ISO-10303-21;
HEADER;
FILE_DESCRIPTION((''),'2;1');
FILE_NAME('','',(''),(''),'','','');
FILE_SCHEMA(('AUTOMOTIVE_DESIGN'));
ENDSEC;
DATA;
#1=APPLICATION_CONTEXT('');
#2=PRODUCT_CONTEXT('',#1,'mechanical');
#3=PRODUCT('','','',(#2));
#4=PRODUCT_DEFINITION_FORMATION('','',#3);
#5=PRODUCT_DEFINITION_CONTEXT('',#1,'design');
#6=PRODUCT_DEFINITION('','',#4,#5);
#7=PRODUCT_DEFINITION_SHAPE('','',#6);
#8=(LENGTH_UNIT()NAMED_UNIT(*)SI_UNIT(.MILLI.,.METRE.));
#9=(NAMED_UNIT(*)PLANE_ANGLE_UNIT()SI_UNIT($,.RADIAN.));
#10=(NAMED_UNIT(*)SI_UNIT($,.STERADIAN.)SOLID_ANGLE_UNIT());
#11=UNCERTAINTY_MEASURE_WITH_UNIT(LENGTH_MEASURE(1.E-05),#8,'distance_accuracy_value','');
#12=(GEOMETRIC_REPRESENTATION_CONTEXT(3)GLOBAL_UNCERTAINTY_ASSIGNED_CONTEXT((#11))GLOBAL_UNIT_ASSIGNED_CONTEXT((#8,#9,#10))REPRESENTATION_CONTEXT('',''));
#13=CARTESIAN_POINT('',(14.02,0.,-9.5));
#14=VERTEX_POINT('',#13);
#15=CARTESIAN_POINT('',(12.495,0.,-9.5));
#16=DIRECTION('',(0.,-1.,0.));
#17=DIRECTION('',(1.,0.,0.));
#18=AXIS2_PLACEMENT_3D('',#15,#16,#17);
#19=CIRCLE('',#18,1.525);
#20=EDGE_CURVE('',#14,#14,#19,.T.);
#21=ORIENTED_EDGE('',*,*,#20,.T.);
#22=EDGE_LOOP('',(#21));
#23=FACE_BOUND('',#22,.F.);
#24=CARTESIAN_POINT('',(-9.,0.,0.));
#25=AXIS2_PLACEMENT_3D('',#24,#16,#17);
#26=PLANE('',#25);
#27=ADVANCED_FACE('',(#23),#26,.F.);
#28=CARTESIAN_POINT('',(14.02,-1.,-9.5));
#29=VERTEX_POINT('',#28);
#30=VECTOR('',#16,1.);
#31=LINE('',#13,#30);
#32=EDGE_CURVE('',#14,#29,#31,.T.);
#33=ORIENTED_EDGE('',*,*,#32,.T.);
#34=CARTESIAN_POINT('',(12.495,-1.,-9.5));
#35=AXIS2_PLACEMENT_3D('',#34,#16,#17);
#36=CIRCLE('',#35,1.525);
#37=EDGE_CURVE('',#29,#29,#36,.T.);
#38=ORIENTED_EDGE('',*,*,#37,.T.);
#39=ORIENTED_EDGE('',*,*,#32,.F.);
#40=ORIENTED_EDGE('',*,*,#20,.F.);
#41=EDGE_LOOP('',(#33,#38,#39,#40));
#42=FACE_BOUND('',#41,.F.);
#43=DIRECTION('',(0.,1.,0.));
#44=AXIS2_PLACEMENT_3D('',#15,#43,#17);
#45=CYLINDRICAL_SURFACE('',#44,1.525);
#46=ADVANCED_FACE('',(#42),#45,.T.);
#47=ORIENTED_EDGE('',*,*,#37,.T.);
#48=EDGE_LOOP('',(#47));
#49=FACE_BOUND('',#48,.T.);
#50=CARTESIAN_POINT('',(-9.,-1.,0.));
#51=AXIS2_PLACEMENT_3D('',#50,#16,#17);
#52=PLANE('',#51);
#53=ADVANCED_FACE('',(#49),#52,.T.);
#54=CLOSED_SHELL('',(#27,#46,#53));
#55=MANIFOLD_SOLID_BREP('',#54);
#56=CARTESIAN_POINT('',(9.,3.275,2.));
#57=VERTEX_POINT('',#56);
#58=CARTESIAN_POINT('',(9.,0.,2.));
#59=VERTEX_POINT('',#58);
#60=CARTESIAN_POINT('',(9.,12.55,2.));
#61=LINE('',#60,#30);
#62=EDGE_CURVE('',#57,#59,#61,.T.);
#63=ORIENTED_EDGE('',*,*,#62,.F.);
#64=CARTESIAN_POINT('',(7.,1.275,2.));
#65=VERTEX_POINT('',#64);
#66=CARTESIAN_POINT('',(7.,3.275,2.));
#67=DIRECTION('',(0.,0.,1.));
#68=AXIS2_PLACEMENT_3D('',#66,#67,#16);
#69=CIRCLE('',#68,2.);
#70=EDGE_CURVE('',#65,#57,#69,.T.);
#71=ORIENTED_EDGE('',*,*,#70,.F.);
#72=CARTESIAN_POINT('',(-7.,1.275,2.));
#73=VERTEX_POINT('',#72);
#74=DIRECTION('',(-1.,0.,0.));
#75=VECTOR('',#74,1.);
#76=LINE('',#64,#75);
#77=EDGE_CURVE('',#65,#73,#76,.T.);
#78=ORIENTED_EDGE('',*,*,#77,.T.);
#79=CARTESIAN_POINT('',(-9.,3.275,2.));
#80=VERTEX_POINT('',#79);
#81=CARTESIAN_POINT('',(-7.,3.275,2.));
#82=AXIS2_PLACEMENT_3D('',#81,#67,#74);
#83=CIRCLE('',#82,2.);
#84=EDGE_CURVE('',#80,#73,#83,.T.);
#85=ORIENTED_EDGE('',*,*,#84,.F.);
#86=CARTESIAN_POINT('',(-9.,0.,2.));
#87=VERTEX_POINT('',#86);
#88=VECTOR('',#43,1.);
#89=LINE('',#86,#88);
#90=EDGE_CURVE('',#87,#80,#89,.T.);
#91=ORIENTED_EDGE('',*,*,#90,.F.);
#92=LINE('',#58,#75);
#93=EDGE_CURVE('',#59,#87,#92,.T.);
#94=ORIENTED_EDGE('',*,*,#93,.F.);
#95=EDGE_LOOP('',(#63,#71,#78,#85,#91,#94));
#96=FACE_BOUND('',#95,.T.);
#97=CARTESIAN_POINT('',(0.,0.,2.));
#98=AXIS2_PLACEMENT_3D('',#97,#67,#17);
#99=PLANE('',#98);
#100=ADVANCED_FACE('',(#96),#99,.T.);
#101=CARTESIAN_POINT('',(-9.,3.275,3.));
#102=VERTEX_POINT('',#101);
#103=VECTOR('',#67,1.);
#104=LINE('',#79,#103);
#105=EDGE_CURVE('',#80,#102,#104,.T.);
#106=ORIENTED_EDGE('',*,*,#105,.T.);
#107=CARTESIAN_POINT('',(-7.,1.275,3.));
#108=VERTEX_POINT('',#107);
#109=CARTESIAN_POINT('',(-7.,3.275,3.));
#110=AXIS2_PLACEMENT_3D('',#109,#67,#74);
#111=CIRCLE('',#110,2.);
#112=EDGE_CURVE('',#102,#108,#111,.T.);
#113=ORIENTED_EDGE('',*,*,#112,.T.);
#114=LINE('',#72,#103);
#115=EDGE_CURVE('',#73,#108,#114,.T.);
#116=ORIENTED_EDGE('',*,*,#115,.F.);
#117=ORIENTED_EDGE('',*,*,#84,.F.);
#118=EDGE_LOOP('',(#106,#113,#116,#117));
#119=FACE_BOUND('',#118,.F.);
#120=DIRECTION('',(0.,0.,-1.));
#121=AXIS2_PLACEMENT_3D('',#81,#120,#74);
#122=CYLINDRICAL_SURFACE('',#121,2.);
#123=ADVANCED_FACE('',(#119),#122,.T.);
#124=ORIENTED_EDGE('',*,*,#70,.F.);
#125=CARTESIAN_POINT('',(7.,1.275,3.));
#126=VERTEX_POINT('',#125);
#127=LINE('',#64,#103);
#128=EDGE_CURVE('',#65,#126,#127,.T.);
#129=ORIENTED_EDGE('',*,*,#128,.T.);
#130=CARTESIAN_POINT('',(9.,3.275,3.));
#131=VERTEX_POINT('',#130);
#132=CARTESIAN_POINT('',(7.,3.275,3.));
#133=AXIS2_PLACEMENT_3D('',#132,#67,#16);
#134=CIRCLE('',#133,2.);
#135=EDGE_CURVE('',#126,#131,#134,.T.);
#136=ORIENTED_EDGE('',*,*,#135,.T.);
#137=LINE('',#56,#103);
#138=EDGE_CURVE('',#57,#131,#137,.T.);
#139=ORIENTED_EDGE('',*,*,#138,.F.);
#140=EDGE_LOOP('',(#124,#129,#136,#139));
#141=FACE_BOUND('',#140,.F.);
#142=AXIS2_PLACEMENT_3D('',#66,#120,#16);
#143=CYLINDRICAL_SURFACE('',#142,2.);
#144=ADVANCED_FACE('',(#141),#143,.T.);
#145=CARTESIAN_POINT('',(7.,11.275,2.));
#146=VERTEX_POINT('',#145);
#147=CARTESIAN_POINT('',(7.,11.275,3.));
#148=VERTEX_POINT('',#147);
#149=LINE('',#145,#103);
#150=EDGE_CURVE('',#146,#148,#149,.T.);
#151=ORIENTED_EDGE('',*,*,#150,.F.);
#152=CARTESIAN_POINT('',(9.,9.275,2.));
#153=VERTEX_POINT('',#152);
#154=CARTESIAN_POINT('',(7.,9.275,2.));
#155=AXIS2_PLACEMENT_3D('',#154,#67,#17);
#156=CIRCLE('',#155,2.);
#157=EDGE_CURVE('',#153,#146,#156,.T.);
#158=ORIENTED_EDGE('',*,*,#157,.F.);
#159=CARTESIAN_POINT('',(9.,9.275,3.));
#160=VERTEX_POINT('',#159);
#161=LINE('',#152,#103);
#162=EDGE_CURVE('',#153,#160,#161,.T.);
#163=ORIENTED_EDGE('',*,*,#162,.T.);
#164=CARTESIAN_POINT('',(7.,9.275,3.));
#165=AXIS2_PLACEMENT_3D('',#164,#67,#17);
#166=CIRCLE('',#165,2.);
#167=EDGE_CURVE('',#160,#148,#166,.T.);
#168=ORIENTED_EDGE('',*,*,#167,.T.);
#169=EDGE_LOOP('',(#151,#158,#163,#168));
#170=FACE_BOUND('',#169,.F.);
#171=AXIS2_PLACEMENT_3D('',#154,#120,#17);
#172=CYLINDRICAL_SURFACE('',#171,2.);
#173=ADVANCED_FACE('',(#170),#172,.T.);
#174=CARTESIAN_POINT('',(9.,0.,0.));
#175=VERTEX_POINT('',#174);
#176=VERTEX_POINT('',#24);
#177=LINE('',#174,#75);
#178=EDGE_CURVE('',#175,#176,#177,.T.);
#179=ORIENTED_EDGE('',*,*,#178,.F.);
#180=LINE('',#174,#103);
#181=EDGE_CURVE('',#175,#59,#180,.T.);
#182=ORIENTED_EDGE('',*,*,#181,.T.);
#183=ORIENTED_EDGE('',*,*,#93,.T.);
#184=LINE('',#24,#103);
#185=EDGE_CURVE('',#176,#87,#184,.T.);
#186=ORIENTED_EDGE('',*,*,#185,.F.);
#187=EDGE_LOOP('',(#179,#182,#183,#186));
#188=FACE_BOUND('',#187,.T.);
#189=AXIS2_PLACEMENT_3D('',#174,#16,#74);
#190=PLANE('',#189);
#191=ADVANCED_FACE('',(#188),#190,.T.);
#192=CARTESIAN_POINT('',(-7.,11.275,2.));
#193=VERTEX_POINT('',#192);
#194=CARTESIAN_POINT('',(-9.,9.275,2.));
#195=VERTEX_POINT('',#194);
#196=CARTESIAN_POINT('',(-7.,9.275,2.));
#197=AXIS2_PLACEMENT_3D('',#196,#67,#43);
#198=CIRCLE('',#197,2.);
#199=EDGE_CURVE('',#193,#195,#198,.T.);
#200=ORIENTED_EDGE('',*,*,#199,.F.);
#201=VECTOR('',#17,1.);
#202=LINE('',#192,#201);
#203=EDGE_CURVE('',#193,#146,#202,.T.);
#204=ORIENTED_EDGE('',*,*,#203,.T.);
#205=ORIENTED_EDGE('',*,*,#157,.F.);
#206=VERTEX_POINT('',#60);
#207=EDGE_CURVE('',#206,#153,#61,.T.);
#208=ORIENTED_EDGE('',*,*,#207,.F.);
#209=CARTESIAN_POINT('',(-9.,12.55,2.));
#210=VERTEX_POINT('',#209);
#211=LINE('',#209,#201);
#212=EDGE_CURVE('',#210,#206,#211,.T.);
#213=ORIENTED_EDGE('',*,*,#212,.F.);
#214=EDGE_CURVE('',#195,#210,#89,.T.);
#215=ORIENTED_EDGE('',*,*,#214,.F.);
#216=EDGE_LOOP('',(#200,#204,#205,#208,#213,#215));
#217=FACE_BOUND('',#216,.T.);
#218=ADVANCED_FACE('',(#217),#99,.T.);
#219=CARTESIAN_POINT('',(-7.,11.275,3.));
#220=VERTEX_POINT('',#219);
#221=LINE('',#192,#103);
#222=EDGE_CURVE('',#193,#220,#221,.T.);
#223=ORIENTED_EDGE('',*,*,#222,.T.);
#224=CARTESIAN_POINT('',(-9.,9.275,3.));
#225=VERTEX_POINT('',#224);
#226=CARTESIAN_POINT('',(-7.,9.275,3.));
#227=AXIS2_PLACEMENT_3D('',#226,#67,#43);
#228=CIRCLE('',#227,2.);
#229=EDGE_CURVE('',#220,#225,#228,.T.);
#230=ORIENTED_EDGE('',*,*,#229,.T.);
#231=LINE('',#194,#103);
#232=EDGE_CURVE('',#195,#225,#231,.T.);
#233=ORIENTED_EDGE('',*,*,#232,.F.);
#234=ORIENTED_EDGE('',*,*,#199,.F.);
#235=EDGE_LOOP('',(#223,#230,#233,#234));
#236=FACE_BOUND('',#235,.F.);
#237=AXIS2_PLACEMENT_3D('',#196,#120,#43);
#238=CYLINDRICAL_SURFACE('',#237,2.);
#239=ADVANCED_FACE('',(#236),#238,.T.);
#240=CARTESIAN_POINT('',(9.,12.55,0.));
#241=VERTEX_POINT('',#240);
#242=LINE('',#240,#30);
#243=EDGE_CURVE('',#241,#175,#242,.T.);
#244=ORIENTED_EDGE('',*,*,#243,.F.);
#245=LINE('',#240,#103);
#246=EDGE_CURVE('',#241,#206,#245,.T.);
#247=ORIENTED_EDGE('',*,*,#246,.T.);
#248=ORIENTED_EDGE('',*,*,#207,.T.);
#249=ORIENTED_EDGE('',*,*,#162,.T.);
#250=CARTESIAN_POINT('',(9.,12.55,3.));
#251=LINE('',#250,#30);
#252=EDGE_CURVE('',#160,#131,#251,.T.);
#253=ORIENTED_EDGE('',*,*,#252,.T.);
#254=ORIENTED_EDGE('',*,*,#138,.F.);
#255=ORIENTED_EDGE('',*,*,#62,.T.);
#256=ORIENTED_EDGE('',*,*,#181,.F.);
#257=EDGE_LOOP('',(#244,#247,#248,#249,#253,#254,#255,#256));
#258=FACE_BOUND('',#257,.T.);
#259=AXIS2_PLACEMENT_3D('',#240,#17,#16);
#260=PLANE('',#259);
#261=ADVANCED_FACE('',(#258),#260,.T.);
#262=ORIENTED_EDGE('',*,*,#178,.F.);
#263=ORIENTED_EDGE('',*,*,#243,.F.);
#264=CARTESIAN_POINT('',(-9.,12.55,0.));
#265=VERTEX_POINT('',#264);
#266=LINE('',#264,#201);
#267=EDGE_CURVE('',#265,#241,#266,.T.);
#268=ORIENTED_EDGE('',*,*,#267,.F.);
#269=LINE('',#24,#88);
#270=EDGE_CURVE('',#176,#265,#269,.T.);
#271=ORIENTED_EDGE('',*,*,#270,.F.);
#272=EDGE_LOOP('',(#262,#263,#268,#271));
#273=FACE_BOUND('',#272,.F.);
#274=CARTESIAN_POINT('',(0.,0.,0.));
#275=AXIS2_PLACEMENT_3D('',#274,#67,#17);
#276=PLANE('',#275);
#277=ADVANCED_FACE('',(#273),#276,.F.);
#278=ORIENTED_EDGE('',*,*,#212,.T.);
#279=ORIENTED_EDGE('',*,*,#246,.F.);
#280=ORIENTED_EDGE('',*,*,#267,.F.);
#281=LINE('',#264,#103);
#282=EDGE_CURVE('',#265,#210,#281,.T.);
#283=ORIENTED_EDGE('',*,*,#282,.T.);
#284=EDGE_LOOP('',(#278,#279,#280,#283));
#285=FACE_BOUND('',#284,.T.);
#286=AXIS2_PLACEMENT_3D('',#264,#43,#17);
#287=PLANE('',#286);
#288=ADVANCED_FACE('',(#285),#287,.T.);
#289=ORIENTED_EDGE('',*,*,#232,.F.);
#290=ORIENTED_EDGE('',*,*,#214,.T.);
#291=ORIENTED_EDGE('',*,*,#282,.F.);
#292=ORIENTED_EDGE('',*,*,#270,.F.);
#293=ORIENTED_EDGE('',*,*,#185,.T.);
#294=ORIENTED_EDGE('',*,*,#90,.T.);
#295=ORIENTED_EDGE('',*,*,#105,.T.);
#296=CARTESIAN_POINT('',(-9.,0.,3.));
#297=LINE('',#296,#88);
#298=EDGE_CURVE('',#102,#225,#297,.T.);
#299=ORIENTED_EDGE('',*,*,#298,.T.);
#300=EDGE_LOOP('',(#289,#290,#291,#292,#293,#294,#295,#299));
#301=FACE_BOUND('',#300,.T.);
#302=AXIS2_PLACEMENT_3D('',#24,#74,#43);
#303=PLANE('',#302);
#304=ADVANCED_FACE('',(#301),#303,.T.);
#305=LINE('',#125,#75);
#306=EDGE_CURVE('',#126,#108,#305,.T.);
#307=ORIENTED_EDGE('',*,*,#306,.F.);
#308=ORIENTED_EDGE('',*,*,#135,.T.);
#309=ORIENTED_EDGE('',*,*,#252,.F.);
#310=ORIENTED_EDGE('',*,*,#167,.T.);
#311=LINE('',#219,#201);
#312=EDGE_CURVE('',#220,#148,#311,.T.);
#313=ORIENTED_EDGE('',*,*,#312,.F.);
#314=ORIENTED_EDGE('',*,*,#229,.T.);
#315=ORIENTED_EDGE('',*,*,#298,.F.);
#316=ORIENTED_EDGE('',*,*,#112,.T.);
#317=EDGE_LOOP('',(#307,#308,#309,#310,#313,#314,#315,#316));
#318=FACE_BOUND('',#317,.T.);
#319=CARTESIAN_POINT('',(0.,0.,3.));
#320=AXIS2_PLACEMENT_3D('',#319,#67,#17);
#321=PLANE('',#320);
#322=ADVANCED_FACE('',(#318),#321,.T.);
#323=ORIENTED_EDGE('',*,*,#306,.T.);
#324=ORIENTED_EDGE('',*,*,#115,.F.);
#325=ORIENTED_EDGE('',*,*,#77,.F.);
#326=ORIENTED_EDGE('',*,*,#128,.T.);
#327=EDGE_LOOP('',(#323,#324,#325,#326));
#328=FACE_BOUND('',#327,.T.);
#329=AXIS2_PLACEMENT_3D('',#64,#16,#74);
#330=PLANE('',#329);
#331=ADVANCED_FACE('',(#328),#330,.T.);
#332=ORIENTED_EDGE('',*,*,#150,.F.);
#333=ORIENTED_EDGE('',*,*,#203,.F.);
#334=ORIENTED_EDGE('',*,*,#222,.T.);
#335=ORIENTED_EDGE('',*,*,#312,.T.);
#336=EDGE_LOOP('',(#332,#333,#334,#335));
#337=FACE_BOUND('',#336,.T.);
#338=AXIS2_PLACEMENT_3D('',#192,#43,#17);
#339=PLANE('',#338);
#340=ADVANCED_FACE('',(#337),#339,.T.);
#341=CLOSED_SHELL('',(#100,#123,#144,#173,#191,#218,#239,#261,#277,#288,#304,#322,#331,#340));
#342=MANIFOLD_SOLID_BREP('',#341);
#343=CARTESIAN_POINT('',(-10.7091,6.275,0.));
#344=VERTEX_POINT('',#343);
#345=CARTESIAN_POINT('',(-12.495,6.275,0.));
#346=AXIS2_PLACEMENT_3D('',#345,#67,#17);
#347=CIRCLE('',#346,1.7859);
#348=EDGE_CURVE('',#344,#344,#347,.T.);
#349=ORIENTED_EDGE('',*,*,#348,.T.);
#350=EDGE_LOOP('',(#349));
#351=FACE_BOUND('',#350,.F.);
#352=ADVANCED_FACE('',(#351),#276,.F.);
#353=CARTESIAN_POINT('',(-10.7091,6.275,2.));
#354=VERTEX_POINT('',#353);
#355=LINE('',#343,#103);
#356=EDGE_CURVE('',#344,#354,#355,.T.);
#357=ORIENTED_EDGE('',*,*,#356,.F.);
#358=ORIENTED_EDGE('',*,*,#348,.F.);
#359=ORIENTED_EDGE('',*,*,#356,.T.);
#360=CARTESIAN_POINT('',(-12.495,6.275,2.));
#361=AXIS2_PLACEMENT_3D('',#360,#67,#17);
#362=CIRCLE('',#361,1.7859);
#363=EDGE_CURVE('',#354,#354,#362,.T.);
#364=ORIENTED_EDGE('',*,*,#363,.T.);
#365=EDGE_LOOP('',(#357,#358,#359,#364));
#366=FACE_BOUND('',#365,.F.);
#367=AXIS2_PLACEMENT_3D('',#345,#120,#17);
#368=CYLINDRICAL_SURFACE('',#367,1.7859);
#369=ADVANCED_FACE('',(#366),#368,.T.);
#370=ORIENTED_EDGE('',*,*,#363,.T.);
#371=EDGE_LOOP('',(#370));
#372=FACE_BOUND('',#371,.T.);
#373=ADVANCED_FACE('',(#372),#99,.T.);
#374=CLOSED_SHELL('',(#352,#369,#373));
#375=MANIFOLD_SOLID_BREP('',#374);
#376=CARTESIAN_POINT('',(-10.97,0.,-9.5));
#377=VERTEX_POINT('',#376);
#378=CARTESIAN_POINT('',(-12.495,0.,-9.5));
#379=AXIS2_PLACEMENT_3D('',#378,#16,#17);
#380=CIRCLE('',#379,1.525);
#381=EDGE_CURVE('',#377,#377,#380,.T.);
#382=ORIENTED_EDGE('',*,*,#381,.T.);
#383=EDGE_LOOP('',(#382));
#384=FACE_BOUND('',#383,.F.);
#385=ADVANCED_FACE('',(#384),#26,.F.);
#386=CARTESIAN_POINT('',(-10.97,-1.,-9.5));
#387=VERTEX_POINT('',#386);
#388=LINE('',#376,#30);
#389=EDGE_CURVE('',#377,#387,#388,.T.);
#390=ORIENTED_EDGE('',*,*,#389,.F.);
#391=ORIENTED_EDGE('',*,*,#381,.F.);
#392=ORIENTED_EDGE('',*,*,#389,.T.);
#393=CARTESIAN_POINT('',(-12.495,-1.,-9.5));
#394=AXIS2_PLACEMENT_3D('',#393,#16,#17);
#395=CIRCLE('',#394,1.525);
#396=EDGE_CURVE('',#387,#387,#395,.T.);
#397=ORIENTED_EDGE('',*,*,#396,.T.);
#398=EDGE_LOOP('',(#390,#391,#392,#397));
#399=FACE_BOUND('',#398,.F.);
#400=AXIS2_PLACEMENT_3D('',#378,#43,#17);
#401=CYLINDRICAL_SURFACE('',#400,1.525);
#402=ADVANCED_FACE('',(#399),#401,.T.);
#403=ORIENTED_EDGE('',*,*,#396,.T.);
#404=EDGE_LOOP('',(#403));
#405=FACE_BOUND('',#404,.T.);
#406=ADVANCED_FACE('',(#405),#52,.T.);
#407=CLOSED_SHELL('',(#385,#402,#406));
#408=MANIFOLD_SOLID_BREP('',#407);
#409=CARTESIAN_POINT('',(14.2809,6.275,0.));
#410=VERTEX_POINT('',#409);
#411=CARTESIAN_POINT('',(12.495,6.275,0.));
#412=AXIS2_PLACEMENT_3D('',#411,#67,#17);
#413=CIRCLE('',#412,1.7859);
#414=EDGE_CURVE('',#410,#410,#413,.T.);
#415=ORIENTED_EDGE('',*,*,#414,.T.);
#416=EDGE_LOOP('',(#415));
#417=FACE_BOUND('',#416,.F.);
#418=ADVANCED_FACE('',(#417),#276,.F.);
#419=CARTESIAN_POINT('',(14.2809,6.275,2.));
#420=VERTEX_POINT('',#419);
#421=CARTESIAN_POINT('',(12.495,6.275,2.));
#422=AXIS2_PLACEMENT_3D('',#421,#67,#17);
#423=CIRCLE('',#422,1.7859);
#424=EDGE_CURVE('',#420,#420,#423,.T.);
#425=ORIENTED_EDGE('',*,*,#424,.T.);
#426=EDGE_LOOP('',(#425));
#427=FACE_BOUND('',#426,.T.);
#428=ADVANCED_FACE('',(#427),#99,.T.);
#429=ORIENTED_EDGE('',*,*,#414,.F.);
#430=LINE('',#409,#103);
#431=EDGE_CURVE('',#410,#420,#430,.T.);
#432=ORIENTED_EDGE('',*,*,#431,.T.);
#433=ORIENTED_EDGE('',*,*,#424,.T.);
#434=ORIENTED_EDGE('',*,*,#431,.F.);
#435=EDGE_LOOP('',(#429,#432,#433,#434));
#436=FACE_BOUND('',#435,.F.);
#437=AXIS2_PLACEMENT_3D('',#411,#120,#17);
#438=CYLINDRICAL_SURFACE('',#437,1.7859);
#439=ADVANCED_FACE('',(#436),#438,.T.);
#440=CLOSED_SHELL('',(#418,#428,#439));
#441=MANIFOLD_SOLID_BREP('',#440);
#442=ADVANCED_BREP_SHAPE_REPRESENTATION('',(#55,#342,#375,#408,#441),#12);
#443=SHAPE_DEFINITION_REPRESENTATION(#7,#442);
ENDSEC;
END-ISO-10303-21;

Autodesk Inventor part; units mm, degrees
ref_plane "XZ Plane" through (0, 0, 0) normal (0, 1, 0) x (-1, 0, 0)
ref_plane "XY Plane" through (0, 0, 0) normal (0, 0, 1) x (1, 0, 0)
sketch "Sketch1" plane through (0, 0, 0) normal (0, 0, 1) x (1, 0, 0)
  line L0 (-9, 12.55) -> (9, 12.55)
  line L1 (9, 12.55) -> (9, 0)
  line L2 (9, 0) -> (-9, 0)
  line L3 (-9, 0) -> (-9, 12.55)
  circle A0 centre (-12.495, 6.275) radius 1.7859
  circle A1 centre (12.495, 6.275) radius 1.7859
  point P0 (0, 0)
  dimension "d0" = 18
  dimension "d1" = 12.55
  dimension "d2" = 9
  dimension "d3" = 0
  dimension "d14" = 24.99
  dimension "d15" = 12.495
  dimension "d16" = 6.275
  dimension "d17" = 6.275
  dimension "d18" = 3.5719
  dimension "d19" = 3.5719
extrude "Extrusion1" add sketch "Sketch1" along normal blind 2
sketch "Sketch2" plane through (-9, 0, 0) normal (0, -1, 0) x (1, 0, 0)
  line L0 (18, 0) -> (0, 0) projected
  circle A0 centre (-3.495, -9.5) radius 1.525
  circle A1 centre (21.495, -9.5) radius 1.525
  point P0 (9, 0)
  dimension "d6" = 3.05
  dimension "d7" = 3.05
  dimension "d8" = 24.99
  dimension "d9" = 12.495
  dimension "d10" = 9.5
  dimension "d11" = 9.5
extrude "Extrusion2" add sketch "Sketch2" along normal blind 1
sketch "Sketch3" plane through (0, 0, 2) normal (0, 0, 1) x (1, 0, 0)
  line L0 (9, 12.55) -> (9, 0) projected
  line L1 (-9, 0) -> (-9, 12.55) projected
  line L2 (9, 0) -> (-9, 0) projected
  line L3 (-7, 11.275) -> (7, 11.275)
  line L4 (9, 9.275) -> (9, 3.275)
  line L5 (7, 1.275) -> (-7, 1.275)
  line L6 (-9, 3.275) -> (-9, 9.275)
  arc A0 (-7, 11.275) -> (-9, 9.275) centre (-7, 9.275) ccw
  arc A1 (9, 9.275) -> (7, 11.275) centre (7, 9.275) ccw
  arc A2 (7, 1.275) -> (9, 3.275) centre (7, 3.275) ccw
  arc A3 (-9, 3.275) -> (-7, 1.275) centre (-7, 3.275) ccw
  point P0 (0, 0)
  point P1 (-9, 11.275)
  point P2 (9, 1.275)
  point P3 (9, 11.275)
  dimension "d20" = 10
  dimension "d21" = 1.275
  dimension "d22" = 12.55
  dimension "d23" = 2
extrude "Extrusion3" add sketch "Sketch3" along normal blind 1 contours L0 A2 L5 A3 L1 A0 L3 A1
equation "\"d2\" = 0.5 * d0"
equation "\"d15\" = 0.5 * d14"
equation "\"d16\" = 0.5 * d1"
equation "\"d17\" = d16"
equation "\"d9\" = 0.5 * d8"
equation "\"d21\" = -0.5 * d20 + 0.5 * d22"
properties part number "DB9 connector 2017_06_14"
